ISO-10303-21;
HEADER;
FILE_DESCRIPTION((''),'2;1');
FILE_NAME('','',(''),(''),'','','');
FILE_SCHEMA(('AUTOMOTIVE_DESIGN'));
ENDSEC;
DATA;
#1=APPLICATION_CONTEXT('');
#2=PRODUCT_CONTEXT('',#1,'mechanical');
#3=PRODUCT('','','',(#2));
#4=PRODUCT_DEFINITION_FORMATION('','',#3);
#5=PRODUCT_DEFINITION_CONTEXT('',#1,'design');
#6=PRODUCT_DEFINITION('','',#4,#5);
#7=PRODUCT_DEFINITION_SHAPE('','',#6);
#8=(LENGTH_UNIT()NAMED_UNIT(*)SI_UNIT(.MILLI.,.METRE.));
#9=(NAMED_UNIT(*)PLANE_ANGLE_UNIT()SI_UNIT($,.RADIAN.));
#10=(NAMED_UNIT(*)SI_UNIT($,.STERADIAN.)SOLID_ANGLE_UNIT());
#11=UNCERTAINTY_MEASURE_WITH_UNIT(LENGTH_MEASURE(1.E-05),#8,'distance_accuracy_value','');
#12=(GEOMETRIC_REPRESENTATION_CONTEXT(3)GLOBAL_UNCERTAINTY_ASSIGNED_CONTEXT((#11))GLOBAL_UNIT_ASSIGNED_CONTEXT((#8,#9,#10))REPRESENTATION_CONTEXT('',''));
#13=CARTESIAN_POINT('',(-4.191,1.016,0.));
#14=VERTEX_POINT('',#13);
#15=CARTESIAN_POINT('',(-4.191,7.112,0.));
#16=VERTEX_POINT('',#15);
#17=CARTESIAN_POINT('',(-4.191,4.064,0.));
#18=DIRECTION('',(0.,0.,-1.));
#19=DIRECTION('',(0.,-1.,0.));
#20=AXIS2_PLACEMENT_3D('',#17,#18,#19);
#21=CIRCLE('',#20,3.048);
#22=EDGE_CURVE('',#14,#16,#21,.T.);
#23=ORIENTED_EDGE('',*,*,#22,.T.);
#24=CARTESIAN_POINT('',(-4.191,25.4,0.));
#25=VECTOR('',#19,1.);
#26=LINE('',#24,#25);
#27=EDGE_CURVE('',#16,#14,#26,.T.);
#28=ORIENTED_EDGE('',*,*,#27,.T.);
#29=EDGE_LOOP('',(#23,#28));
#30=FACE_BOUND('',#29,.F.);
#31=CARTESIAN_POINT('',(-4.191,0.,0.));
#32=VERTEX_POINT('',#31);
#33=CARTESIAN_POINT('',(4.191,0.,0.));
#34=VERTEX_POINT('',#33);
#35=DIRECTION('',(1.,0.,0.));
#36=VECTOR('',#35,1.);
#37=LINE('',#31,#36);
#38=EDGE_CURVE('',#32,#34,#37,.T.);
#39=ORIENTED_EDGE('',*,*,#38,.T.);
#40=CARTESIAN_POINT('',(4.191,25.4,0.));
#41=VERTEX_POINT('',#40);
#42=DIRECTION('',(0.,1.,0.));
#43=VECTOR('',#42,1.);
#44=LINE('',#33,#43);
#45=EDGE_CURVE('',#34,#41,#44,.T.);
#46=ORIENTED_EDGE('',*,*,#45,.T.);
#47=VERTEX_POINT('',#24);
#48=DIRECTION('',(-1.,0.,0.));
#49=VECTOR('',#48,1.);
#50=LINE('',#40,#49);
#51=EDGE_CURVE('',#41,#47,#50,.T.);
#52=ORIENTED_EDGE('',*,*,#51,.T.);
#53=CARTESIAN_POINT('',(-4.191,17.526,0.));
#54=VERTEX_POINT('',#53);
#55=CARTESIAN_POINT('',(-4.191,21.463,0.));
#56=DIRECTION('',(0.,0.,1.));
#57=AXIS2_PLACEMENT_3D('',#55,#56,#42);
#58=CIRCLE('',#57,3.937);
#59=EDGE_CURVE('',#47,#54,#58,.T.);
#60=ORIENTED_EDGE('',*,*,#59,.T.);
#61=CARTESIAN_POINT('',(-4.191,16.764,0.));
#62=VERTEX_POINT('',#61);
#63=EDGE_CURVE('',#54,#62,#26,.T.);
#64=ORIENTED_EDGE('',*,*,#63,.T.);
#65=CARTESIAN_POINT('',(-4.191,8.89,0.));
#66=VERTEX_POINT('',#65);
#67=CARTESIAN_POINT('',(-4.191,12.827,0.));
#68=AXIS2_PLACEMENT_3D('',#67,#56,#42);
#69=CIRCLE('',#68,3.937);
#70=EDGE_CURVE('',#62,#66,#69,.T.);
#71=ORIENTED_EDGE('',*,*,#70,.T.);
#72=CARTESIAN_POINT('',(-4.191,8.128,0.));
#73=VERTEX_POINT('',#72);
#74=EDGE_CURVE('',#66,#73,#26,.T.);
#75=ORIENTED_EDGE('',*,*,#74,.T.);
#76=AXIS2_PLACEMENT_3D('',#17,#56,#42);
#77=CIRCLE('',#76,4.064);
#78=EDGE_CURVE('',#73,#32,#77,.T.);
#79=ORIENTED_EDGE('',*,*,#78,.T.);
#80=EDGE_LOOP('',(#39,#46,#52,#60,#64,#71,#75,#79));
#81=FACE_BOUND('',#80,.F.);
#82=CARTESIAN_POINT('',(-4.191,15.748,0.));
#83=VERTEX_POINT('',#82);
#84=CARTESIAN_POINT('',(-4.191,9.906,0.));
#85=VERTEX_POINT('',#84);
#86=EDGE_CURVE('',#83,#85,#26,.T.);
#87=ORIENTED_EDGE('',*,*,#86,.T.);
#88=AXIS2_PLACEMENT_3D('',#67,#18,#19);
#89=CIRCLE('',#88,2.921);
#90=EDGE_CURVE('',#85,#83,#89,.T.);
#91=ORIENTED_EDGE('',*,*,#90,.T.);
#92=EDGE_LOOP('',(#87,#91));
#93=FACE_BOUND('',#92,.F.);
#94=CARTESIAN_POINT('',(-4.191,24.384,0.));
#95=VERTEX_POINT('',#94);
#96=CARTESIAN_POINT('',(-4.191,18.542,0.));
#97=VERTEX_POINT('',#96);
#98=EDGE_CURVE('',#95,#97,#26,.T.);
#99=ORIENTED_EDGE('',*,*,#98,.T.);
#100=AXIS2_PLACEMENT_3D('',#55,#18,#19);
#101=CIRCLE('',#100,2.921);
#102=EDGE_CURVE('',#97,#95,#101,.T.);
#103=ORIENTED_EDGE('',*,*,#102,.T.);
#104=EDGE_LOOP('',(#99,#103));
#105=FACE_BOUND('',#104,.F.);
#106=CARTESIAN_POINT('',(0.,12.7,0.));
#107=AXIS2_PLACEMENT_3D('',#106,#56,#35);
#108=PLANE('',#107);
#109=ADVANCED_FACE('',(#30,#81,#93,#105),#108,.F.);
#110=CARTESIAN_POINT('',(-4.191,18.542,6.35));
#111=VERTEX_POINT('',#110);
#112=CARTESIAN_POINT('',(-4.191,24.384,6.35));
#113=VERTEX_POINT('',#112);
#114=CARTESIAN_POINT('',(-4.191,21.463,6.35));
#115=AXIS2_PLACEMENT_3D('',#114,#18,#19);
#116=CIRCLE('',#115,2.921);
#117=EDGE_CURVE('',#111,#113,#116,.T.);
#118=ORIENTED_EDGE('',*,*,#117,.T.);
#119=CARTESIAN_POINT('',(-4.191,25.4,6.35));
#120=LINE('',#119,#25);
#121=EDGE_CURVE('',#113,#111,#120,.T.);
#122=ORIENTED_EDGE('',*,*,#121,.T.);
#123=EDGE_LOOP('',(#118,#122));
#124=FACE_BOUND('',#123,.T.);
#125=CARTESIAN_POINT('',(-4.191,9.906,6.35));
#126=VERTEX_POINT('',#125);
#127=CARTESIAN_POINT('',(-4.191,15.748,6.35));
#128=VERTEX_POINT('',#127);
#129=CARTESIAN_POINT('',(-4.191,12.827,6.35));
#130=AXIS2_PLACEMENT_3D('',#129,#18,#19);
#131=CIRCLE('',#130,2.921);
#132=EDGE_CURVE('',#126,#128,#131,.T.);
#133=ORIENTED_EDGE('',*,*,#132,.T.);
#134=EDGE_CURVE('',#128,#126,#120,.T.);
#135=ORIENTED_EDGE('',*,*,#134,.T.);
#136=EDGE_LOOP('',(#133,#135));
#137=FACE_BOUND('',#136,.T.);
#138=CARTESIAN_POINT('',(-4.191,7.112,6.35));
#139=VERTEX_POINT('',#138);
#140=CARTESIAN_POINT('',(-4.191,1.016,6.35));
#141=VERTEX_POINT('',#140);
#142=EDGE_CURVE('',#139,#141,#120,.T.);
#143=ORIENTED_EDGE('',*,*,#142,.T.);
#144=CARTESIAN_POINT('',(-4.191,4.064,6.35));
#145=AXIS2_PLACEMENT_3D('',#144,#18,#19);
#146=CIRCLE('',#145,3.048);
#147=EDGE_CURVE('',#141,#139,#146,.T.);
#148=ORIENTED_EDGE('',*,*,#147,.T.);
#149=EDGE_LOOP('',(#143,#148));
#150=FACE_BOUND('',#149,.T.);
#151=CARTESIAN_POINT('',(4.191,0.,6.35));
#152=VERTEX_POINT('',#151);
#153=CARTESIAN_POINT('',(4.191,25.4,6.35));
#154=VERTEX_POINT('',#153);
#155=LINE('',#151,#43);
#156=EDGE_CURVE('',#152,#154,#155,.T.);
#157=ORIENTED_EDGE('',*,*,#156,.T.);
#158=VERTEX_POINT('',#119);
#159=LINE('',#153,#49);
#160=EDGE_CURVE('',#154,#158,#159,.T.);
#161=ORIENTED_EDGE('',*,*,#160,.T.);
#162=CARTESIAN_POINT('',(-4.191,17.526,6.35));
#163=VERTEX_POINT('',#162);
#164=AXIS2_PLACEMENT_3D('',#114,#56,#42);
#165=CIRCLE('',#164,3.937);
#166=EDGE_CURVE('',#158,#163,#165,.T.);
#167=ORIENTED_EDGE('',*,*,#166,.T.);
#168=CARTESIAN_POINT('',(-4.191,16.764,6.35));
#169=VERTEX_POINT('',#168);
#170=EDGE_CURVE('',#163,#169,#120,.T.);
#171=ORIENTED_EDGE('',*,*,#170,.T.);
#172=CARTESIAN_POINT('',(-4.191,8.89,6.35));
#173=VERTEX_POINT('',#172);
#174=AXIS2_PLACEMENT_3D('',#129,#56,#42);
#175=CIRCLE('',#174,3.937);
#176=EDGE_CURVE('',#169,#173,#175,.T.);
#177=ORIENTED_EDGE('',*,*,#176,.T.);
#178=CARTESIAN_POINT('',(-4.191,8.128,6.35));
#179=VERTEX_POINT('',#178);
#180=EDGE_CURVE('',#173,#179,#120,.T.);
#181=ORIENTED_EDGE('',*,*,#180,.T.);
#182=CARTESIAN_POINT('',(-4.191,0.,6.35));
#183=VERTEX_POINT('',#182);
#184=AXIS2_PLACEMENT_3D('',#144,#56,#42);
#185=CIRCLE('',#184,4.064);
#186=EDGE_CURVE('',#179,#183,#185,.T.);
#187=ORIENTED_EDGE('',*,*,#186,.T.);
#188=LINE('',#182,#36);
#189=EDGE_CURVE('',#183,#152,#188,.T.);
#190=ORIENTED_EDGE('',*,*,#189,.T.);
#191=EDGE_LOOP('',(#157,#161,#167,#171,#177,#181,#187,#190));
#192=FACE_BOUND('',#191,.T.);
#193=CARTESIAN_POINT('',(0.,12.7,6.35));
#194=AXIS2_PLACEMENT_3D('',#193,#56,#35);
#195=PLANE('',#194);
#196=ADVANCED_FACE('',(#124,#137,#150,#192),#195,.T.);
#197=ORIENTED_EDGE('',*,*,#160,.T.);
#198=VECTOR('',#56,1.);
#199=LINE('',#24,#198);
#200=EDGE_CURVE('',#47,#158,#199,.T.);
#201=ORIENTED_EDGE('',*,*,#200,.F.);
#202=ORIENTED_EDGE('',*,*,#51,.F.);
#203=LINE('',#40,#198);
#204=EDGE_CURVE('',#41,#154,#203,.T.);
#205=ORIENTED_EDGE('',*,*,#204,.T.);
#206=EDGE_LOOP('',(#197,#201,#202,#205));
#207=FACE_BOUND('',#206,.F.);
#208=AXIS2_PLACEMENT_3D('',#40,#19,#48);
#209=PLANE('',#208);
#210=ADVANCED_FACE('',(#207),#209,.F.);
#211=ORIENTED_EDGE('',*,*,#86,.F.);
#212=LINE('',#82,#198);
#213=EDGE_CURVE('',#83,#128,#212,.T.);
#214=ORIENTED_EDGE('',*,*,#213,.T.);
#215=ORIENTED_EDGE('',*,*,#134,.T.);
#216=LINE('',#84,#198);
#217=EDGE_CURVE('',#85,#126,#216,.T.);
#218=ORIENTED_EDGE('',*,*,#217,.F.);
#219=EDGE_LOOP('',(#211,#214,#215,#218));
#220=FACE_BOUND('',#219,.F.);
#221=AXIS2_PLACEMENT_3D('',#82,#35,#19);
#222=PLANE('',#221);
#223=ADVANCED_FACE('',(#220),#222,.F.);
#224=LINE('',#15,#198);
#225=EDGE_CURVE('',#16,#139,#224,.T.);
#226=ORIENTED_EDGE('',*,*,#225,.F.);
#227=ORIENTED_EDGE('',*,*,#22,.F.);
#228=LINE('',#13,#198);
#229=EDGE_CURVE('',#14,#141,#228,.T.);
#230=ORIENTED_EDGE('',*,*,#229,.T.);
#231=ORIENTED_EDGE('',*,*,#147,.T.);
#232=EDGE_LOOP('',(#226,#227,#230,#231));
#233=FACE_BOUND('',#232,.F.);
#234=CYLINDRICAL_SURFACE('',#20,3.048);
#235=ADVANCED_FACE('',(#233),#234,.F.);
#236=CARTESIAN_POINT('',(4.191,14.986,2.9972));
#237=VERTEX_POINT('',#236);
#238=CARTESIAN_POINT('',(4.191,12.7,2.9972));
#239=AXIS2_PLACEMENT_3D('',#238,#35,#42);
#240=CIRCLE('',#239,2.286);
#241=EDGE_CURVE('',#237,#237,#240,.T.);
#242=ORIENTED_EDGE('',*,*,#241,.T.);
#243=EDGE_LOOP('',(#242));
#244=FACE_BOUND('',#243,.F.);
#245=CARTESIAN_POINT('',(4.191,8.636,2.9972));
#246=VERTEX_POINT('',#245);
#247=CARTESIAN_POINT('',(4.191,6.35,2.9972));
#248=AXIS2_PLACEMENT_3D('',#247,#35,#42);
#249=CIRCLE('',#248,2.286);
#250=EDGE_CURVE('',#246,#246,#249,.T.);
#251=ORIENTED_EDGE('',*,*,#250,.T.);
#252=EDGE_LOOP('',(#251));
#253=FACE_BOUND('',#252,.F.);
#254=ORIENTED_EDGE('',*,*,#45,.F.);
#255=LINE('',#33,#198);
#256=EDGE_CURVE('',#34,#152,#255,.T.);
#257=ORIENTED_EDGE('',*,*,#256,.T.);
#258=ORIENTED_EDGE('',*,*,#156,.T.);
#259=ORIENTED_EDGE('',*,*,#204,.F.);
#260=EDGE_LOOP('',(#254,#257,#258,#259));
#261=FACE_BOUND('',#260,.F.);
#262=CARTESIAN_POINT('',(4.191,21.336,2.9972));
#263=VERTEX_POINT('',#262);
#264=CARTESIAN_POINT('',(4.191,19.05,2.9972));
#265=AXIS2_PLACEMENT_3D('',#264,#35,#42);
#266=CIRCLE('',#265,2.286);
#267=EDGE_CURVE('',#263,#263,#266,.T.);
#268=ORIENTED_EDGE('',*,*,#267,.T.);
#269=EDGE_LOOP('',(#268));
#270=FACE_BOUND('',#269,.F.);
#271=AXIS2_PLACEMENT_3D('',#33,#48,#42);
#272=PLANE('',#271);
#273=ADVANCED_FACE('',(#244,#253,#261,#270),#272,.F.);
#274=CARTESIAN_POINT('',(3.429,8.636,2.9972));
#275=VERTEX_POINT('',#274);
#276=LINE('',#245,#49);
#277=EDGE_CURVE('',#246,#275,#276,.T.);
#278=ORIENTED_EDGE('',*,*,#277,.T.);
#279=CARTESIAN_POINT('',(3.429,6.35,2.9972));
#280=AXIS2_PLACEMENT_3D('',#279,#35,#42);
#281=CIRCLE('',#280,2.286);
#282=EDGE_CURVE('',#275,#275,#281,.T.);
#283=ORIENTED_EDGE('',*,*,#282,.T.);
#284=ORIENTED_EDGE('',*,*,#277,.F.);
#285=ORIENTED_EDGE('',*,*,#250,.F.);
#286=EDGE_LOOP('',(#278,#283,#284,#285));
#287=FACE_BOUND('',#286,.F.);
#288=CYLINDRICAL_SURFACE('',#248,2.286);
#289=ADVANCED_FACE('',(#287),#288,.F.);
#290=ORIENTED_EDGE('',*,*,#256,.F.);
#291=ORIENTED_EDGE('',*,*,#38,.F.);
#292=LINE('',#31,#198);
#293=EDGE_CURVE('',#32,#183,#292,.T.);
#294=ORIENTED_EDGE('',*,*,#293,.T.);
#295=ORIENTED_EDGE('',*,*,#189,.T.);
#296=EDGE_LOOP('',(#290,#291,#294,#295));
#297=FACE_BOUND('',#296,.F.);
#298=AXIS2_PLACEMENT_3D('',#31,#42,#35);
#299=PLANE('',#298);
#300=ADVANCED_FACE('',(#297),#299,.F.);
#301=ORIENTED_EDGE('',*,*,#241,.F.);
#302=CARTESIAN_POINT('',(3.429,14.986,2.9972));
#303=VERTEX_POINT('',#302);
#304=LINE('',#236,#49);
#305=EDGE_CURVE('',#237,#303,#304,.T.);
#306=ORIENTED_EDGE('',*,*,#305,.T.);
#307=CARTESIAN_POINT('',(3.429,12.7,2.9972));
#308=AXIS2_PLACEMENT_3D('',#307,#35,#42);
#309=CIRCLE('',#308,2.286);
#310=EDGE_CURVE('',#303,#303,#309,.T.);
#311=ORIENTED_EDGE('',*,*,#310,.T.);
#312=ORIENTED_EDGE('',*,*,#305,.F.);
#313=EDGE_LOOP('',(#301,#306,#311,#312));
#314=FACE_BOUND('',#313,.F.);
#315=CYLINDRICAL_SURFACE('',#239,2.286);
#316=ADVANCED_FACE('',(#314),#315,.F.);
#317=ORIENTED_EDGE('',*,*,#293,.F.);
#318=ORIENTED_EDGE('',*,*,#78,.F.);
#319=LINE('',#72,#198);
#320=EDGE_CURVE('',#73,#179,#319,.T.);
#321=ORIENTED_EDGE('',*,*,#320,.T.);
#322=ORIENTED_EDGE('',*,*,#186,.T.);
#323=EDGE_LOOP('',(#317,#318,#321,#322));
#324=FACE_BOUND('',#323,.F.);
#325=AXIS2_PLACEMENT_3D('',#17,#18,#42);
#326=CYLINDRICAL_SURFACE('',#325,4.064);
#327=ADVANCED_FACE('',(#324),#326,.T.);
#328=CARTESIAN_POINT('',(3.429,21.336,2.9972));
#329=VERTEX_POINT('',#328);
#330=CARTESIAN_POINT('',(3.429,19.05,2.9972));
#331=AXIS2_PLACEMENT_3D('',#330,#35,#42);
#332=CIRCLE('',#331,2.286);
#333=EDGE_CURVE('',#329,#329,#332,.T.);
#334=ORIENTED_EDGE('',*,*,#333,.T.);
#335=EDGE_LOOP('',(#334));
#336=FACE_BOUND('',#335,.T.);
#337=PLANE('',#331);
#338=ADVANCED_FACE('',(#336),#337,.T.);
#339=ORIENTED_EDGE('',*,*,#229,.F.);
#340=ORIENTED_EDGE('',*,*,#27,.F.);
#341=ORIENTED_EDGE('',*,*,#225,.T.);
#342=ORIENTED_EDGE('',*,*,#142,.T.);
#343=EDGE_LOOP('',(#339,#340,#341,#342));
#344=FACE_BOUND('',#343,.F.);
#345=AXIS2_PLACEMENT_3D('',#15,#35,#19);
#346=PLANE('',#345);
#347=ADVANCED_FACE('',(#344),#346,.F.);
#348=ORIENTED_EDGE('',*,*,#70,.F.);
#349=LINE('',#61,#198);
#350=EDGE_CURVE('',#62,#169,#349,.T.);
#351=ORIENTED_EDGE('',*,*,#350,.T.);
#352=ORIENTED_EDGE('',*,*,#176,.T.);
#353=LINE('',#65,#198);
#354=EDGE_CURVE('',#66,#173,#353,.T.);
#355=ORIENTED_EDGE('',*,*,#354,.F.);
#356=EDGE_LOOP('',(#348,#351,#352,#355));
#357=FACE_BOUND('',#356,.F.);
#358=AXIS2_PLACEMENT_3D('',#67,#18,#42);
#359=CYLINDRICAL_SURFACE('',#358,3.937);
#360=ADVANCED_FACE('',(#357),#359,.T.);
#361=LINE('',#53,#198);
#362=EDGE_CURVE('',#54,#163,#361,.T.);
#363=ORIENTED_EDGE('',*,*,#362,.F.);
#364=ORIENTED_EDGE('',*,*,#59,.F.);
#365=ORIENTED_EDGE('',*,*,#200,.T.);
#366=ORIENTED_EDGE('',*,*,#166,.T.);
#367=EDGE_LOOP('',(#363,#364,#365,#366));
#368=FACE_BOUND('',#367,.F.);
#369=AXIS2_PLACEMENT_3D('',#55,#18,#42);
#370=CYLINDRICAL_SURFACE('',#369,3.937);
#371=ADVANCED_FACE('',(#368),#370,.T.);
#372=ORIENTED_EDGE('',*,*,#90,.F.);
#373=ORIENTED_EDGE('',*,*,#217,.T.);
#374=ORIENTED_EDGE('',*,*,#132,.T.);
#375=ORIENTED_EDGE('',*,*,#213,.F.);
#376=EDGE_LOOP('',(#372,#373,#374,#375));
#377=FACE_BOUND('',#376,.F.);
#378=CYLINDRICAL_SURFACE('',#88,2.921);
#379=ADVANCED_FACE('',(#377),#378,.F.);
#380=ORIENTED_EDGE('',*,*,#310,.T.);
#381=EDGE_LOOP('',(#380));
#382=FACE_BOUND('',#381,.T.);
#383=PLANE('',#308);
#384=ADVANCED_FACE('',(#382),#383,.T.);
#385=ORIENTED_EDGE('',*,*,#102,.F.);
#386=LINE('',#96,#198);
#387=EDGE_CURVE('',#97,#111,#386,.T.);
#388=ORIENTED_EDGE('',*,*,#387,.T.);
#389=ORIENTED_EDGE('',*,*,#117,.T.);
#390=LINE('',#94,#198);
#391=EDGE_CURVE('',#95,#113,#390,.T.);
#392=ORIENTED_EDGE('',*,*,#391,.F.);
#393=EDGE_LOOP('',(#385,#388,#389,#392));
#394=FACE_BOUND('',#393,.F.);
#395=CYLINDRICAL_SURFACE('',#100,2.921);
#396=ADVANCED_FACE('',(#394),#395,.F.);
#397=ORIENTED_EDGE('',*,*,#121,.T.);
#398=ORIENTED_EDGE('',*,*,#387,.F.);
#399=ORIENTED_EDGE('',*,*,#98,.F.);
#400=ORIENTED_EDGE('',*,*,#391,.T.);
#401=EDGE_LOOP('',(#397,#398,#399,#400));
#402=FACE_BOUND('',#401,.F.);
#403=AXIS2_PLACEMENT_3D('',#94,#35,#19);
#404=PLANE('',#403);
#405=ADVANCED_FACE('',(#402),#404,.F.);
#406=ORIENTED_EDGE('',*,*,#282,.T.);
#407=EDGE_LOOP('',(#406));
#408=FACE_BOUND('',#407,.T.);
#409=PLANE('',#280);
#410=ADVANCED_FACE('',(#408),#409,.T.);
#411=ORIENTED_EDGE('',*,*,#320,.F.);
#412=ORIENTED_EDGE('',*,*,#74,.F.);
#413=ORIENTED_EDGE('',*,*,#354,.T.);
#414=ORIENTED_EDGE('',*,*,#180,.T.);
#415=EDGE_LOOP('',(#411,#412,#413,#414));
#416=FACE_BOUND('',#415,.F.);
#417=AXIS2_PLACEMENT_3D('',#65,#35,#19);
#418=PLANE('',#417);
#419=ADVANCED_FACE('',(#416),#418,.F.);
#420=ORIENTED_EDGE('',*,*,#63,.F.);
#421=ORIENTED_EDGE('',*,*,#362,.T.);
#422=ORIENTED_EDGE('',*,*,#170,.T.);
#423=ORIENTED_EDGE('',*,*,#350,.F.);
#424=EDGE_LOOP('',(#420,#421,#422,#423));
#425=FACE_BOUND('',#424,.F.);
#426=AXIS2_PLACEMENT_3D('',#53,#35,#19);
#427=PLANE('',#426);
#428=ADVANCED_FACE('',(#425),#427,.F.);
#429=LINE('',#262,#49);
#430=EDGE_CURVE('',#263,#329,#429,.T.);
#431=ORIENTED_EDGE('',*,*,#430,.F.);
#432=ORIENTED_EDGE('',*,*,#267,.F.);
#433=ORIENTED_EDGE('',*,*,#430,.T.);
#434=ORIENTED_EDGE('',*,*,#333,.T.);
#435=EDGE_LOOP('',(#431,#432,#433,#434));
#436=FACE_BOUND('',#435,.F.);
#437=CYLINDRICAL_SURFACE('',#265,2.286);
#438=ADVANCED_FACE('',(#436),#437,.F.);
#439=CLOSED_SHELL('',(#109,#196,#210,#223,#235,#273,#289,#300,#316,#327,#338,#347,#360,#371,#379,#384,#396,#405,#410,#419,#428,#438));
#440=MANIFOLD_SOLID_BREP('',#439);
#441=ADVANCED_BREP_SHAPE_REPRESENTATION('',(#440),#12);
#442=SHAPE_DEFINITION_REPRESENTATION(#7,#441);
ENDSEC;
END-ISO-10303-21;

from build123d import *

# Parameters (mm, degrees)
F1_DEPTH = 6.35
F2_R     = 2.286
F3_DEPTH = 0.762


with BuildPart() as f1:
    # F0 (on Top) → F1 (new body)
    with BuildSketch(Plane.XY):
        Polygon((4.191, 25.4), (-4.191, 25.4), (-4.191, 24.384), (-4.191, 18.542), (-4.191, 17.526), (-4.191, 16.764), (-4.191, 15.748), (-4.191, 9.906), (-4.191, 8.89), (-4.191, 8.128), (-4.191, 7.112), (-4.191, 1.016), (-4.191, 0), (4.191, 0), align=None)
        with BuildLine():
            Line((-4.191, 15.748), (-4.191, 16.764))
            ThreePointArc((-4.191, 16.764), (-8.128, 12.827), (-4.191, 8.89))
            Line((-4.191, 8.89), (-4.191, 9.906))
            ThreePointArc((-4.191, 9.906), (-7.112, 12.827), (-4.191, 15.748))
        make_face()
        with BuildLine():
            ThreePointArc((-4.191, 8.128), (-8.255, 4.064), (-4.191, 0))
            Line((-4.191, 0), (-4.191, 1.016))
            ThreePointArc((-4.191, 1.016), (-7.239, 4.064), (-4.191, 7.112))
            Line((-4.191, 7.112), (-4.191, 8.128))
        make_face()
        with BuildLine():
            Line((-4.191, 24.384), (-4.191, 25.4))
            ThreePointArc((-4.191, 25.4), (-8.128, 21.463), (-4.191, 17.526))
            Line((-4.191, 17.526), (-4.191, 18.542))
            ThreePointArc((-4.191, 18.542), (-7.112, 21.463), (-4.191, 24.384))
        make_face()
    extrude(amount=F1_DEPTH)

    # F2 (on face) → F3 (cut)
    with BuildSketch(Plane.YZ.offset(4.191)):
        with Locations((6.35, 2.9972)):
            Circle(F2_R)
        with Locations((12.7, 2.9972)):
            Circle(F2_R)
        with Locations((19.05, 2.9972)):
            Circle(F2_R)
    extrude(amount=-F3_DEPTH, mode=Mode.SUBTRACT)


solid = f1.part
